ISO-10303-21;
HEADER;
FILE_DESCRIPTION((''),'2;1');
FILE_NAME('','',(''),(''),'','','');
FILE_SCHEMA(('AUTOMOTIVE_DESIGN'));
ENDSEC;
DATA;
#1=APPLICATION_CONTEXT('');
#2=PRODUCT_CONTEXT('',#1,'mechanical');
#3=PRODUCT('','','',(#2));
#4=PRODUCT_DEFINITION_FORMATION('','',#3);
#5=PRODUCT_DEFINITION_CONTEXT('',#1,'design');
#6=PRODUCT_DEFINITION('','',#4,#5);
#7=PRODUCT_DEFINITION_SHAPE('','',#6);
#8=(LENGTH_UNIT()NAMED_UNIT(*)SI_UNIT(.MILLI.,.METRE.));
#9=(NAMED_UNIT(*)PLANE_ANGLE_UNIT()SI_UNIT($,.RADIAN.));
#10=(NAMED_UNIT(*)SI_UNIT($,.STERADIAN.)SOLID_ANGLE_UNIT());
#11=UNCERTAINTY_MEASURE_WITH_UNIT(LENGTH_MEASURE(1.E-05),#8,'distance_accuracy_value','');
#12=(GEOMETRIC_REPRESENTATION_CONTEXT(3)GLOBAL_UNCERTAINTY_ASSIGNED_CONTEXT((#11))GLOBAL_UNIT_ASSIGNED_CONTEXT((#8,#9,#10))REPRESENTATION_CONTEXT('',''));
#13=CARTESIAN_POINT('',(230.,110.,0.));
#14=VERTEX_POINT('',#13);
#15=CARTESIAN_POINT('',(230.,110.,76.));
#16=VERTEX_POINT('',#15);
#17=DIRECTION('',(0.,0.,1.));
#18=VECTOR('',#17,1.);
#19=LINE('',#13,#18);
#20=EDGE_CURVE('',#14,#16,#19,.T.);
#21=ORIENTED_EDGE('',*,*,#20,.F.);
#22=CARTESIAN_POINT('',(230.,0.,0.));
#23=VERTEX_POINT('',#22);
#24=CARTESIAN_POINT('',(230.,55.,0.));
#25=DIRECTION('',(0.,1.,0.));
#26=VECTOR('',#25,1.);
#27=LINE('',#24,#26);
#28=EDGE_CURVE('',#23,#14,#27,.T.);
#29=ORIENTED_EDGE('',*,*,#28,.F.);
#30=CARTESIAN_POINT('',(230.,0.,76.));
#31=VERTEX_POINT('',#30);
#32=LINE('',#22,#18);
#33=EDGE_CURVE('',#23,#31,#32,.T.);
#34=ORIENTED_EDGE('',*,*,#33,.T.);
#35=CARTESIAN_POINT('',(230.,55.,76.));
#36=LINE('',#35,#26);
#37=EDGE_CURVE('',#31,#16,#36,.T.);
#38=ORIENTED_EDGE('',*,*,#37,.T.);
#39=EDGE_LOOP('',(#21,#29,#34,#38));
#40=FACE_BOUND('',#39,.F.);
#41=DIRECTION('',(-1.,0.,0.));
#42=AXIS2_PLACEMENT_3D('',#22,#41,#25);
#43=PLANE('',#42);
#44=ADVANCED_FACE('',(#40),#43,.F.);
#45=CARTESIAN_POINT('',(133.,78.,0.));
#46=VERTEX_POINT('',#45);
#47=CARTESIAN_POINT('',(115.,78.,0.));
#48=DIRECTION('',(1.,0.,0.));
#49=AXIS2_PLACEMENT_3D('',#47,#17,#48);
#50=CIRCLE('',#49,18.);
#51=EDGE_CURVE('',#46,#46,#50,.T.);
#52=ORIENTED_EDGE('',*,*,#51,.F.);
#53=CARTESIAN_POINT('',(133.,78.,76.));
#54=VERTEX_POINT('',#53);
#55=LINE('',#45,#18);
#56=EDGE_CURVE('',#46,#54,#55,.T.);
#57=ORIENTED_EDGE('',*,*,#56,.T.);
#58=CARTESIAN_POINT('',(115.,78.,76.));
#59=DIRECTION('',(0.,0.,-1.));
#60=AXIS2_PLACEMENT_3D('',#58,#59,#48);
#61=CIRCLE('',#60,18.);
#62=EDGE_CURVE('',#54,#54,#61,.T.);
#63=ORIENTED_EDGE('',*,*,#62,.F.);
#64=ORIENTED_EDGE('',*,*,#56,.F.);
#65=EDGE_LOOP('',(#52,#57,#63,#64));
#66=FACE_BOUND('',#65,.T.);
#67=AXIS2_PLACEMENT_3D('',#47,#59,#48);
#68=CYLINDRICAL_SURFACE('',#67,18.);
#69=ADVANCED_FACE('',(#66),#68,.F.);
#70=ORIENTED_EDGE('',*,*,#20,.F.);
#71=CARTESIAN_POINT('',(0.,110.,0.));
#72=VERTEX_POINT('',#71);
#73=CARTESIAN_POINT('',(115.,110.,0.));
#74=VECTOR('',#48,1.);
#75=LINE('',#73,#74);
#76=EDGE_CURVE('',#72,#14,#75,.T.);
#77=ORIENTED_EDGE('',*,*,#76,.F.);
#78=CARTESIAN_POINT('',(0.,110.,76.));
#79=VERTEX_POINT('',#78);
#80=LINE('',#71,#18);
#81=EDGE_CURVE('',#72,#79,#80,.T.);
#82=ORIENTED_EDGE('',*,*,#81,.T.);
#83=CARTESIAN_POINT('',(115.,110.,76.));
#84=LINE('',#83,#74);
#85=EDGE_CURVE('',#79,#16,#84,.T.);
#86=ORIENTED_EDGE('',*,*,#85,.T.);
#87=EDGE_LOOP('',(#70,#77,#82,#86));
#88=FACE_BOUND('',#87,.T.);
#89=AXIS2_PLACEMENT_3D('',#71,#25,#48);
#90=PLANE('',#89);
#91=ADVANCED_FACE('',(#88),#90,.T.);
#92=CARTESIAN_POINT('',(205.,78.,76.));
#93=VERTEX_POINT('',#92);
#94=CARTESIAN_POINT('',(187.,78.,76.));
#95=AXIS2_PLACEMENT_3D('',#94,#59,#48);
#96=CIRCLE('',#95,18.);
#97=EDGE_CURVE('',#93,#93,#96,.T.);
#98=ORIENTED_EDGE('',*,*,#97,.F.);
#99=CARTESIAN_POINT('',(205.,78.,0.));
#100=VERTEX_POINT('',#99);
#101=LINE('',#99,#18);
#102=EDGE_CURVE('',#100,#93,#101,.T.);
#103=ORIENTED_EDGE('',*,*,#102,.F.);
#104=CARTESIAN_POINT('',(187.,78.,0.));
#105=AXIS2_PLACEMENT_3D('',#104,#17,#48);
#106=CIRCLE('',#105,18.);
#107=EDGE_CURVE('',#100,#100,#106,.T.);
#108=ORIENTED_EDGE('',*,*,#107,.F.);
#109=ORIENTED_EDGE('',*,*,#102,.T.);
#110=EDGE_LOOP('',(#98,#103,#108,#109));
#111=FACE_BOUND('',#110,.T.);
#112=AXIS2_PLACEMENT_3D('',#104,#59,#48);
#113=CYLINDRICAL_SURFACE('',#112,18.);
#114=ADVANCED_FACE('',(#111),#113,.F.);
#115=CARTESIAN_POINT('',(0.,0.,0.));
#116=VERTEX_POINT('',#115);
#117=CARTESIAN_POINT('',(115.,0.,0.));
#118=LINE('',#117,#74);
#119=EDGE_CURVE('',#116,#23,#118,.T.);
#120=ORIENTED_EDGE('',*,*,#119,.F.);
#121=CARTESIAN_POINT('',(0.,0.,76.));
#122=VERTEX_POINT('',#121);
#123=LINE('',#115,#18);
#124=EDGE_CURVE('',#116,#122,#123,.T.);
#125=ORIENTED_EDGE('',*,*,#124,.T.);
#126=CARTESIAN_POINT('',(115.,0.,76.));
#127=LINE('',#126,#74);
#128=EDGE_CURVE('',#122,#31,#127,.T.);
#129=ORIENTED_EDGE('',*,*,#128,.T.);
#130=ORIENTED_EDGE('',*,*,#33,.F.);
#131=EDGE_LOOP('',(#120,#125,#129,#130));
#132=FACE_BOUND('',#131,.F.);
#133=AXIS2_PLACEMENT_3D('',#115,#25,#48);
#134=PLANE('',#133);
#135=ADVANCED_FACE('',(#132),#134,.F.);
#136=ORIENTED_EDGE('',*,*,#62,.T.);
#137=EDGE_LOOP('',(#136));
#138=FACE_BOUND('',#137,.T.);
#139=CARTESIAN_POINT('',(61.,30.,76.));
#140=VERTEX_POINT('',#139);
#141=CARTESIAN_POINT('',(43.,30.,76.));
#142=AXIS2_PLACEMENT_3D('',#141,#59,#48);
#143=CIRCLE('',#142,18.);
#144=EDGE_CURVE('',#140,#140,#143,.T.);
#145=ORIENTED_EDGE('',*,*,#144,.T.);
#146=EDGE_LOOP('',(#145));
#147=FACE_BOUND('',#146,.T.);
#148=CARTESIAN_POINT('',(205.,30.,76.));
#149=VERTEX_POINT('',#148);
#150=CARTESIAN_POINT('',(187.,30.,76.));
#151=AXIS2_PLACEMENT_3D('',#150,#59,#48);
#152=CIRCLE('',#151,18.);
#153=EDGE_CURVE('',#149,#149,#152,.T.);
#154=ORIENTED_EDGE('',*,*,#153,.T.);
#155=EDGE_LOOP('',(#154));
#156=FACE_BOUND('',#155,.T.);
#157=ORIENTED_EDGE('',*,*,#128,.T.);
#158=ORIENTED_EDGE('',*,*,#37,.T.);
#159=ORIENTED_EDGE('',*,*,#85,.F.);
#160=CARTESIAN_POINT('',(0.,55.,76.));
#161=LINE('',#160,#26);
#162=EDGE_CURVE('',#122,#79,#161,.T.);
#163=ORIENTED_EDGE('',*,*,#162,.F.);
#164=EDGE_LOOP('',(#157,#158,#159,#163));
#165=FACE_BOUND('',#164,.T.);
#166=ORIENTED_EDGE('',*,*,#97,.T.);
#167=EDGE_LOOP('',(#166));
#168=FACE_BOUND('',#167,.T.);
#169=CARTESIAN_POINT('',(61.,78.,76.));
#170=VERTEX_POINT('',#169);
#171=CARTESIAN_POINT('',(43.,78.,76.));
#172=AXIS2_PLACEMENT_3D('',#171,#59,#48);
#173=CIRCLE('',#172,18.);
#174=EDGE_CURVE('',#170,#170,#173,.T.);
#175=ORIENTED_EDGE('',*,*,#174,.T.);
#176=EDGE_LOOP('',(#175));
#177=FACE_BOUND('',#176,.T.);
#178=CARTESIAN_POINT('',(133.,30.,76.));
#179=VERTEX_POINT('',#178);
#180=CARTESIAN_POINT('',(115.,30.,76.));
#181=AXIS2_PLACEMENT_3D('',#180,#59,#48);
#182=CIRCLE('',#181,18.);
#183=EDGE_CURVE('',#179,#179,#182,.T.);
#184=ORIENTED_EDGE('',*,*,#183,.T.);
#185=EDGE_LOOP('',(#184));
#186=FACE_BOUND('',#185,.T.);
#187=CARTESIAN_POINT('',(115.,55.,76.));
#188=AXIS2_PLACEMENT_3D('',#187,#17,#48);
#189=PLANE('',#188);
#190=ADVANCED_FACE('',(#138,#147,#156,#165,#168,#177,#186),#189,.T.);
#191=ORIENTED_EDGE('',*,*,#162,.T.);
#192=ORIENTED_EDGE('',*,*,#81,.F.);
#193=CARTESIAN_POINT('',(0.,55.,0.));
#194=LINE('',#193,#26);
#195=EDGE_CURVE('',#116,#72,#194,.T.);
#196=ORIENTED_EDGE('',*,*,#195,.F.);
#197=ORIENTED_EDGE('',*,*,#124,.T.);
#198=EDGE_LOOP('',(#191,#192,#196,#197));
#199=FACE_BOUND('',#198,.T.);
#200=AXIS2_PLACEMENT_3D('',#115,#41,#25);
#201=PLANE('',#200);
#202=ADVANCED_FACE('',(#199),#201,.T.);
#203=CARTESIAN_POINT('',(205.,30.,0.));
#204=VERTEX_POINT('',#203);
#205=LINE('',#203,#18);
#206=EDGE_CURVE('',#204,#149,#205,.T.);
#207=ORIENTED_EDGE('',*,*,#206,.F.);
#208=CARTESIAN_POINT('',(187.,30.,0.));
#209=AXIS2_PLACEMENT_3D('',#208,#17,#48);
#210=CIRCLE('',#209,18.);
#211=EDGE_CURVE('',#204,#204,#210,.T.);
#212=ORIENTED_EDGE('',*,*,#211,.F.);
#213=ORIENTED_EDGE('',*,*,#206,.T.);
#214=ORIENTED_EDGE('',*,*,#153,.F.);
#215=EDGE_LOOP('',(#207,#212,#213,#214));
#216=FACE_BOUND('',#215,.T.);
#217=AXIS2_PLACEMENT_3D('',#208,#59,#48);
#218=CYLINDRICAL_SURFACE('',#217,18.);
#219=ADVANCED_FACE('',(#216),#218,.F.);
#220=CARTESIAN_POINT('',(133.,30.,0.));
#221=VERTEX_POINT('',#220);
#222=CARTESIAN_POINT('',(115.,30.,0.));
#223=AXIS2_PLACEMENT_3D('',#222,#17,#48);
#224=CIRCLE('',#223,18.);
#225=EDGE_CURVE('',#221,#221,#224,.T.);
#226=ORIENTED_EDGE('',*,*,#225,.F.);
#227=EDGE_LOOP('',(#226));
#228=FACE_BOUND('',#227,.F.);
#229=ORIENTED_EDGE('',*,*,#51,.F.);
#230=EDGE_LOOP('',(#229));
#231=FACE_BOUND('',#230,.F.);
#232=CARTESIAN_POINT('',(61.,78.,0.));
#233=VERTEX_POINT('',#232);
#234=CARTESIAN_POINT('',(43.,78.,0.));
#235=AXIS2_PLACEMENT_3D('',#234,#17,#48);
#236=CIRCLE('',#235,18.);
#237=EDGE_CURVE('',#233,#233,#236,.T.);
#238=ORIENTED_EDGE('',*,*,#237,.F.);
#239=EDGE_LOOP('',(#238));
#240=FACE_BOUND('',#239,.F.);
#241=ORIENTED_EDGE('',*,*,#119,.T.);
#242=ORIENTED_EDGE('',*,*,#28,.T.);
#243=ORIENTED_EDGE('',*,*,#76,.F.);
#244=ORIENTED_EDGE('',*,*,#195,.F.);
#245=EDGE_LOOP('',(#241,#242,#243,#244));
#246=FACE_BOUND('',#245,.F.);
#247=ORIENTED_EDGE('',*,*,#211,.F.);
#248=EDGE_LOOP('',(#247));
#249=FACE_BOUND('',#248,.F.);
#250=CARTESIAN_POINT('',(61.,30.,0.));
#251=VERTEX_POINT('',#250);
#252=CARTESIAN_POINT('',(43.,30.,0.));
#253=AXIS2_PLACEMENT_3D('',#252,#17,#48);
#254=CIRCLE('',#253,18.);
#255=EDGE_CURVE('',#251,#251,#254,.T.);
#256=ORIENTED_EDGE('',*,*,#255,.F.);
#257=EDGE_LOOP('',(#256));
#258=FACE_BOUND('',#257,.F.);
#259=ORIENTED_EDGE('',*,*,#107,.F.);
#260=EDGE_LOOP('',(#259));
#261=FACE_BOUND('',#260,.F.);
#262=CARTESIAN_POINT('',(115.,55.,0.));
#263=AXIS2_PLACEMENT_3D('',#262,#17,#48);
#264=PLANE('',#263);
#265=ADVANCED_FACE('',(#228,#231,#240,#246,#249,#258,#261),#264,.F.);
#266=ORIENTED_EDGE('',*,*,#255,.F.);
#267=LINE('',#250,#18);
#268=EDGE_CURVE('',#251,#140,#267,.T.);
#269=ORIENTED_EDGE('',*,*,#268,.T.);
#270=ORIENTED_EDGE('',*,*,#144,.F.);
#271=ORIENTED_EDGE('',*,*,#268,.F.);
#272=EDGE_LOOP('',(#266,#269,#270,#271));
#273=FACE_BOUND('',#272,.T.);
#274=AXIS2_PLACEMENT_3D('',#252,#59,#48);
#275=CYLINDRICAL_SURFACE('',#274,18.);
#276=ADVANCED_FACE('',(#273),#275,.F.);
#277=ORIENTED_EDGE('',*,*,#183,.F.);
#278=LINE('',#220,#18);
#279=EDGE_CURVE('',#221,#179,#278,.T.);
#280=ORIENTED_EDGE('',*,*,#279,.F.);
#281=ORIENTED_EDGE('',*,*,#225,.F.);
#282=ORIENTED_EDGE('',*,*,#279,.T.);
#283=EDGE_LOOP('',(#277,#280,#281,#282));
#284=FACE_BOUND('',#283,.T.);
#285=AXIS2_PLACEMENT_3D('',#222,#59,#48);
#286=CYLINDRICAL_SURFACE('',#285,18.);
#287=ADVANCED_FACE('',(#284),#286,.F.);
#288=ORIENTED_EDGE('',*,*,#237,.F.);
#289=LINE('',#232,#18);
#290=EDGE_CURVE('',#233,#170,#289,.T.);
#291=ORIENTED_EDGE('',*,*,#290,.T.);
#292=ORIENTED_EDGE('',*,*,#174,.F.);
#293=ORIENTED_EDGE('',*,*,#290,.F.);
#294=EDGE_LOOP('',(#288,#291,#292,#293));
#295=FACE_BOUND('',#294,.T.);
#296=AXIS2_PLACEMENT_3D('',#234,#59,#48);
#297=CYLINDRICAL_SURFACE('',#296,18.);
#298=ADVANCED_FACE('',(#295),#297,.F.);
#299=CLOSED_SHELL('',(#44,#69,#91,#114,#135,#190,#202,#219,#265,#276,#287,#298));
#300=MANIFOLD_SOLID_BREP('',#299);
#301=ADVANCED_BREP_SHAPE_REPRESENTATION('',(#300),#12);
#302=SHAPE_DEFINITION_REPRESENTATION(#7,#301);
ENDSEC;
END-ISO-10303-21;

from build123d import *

# Parameters (mm, degrees)
CYLINDER001_R     = 18
CYLINDER001_DEPTH = 80
CYLINDER002_R     = 18
CYLINDER002_DEPTH = 80
CYLINDER003_R     = 18
CYLINDER003_DEPTH = 80
CYLINDER004_R     = 18
CYLINDER004_DEPTH = 80
CYLINDER005_R     = 18
CYLINDER005_DEPTH = 80
CYLINDER_R        = 18
CYLINDER_DEPTH    = 80
BOX_W             = 230
BOX_H             = 110
BOX_DEPTH         = 76


with BuildPart() as cilindre001:
    # Cylinder001 → Cylinder001 (new body)
    with BuildSketch(Plane(origin=(43, 78, 0), x_dir=(1, 0, 0), z_dir=(0, 0, 1))):
        Circle(CYLINDER001_R)
    extrude(amount=CYLINDER001_DEPTH)


with BuildPart() as cilindre002:
    # Cylinder002 → Cylinder002 (new body)
    with BuildSketch(Plane(origin=(115, 78, 0), x_dir=(1, 0, 0), z_dir=(0, 0, 1))):
        Circle(CYLINDER002_R)
    extrude(amount=CYLINDER002_DEPTH)


with BuildPart() as cilindre003:
    # Cylinder003 → Cylinder003 (new body)
    with BuildSketch(Plane(origin=(115, 30, 0), x_dir=(1, 0, 0), z_dir=(0, 0, 1))):
        Circle(CYLINDER003_R)
    extrude(amount=CYLINDER003_DEPTH)


with BuildPart() as cilindre004:
    # Cylinder004 → Cylinder004 (new body)
    with BuildSketch(Plane(origin=(187, 30, 0), x_dir=(1, 0, 0), z_dir=(0, 0, 1))):
        Circle(CYLINDER004_R)
    extrude(amount=CYLINDER004_DEPTH)


with BuildPart() as cilindre005:
    # Cylinder005 → Cylinder005 (new body)
    with BuildSketch(Plane(origin=(187, 78, 0), x_dir=(1, 0, 0), z_dir=(0, 0, 1))):
        Circle(CYLINDER005_R)
    extrude(amount=CYLINDER005_DEPTH)


with BuildPart() as fusion:
    # Cylinder → Cylinder (new body)
    with BuildSketch(Plane(origin=(43, 30, 0), x_dir=(1, 0, 0), z_dir=(0, 0, 1))):
        Circle(CYLINDER_R)
    extrude(amount=CYLINDER_DEPTH)

    # Fusion: union Cilindre001, Cilindre002, Cilindre003, Cilindre004, Cilindre005
    add(cilindre001.part)
    add(cilindre002.part)
    add(cilindre003.part)
    add(cilindre004.part)
    add(cilindre005.part)


with BuildPart() as cut:
    # Box → Box (new body)
    with BuildSketch(Plane.XY):
        with Locations((115, 55)):
            Rectangle(BOX_W, BOX_H)
    extrude(amount=BOX_DEPTH)

    # Cut: cut Fusion
    add(fusion.part, mode=Mode.SUBTRACT)


solid = cut.part
